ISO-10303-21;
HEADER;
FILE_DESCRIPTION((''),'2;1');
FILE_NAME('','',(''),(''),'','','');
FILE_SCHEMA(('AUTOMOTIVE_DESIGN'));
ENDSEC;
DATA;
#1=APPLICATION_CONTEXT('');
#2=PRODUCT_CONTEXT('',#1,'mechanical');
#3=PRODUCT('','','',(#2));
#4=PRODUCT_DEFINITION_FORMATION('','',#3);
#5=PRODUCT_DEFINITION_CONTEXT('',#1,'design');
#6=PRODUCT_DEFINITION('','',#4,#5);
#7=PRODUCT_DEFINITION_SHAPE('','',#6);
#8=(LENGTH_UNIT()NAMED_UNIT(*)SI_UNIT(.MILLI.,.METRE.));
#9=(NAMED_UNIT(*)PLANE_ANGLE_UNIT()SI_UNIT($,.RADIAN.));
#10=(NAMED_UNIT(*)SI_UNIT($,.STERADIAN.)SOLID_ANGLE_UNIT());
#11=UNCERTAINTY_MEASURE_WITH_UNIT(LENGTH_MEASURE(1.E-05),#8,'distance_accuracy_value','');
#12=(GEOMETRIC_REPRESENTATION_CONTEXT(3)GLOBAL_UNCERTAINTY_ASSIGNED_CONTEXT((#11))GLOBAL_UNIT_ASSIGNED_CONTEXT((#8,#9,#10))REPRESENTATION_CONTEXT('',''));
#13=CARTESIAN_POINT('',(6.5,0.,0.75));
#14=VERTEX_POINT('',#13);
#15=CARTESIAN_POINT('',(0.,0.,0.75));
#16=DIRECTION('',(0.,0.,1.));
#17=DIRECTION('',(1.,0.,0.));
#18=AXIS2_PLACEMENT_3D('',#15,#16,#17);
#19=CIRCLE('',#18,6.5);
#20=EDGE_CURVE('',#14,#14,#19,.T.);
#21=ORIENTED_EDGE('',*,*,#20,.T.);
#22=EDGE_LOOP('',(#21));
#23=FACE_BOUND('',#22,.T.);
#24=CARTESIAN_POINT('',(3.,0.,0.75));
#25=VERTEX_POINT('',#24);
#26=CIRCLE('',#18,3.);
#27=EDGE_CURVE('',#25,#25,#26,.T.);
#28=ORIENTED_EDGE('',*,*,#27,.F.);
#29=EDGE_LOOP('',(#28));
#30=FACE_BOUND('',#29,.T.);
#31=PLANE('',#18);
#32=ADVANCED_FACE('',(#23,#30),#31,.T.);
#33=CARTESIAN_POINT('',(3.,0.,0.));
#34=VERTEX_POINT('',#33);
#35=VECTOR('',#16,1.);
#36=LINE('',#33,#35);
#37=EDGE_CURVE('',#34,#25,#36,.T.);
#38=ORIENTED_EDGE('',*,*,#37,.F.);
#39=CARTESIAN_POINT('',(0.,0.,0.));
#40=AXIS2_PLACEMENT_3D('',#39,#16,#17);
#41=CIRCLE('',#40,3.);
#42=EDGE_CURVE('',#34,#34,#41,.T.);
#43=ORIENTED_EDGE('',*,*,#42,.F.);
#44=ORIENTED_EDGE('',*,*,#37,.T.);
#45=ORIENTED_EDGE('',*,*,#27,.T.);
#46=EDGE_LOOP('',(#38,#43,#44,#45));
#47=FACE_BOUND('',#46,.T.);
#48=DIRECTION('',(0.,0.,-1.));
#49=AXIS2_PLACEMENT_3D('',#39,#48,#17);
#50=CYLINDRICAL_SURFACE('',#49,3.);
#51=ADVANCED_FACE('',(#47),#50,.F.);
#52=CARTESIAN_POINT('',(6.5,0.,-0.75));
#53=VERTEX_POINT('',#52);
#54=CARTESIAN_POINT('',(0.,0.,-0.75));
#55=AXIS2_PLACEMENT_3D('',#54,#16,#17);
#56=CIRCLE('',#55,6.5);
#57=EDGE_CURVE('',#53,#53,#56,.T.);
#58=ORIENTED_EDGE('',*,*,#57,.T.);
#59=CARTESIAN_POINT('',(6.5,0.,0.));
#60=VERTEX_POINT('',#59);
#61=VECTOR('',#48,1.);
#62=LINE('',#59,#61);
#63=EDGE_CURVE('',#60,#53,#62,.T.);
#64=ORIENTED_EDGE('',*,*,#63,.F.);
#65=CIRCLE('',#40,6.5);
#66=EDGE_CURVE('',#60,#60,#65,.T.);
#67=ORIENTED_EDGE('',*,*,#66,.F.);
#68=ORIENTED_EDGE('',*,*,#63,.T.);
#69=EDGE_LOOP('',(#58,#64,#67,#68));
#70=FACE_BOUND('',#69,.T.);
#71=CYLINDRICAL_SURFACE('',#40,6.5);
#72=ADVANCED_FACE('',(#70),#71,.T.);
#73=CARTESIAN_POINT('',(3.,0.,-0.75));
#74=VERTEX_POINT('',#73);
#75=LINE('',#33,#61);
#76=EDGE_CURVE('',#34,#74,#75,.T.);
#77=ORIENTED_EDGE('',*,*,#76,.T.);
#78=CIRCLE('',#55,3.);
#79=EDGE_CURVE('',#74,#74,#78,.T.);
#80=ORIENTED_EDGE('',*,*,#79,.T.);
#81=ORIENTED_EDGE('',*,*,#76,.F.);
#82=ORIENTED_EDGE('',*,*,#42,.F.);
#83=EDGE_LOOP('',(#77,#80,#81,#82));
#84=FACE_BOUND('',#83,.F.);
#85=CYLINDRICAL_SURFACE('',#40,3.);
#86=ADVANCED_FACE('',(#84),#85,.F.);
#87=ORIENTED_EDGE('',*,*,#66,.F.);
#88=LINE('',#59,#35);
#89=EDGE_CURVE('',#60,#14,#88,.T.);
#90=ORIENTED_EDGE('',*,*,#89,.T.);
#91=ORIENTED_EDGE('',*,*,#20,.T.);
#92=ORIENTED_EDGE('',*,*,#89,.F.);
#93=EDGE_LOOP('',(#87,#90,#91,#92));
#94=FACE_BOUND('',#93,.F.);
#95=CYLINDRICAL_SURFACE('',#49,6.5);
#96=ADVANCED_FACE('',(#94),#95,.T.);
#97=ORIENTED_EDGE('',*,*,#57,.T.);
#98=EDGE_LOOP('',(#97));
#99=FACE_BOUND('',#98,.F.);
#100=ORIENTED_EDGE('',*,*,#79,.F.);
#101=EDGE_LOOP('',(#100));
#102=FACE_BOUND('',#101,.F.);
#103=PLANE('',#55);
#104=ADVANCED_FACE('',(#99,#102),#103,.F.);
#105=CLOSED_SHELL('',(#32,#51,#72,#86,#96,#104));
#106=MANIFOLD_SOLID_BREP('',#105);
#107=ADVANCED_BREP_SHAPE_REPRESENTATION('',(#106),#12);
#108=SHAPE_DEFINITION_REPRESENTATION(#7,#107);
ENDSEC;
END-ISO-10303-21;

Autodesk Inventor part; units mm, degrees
ref_plane "YZ Plane" through (0, 0, 0) normal (1, 0, 0) x (0, 1, 0)
ref_plane "XZ Plane" through (0, 0, 0) normal (0, 1, 0) x (-1, 0, 0)
ref_plane "XY Plane" through (0, 0, 0) normal (0, 0, 1) x (1, 0, 0)
sketch "Sketch1" plane through (0, 0, 0) normal (0, 0, 1) x (1, 0, 0)
  circle A0 centre (0, 0) radius 6.5
  circle A1 centre (0, 0) radius 3
  dimension "d0" = 13
  dimension "d1" = 6
extrude "Extrusion1" add sketch "Sketch1" along normal mid plane 1.5
properties material "Rubber, Silicone"
